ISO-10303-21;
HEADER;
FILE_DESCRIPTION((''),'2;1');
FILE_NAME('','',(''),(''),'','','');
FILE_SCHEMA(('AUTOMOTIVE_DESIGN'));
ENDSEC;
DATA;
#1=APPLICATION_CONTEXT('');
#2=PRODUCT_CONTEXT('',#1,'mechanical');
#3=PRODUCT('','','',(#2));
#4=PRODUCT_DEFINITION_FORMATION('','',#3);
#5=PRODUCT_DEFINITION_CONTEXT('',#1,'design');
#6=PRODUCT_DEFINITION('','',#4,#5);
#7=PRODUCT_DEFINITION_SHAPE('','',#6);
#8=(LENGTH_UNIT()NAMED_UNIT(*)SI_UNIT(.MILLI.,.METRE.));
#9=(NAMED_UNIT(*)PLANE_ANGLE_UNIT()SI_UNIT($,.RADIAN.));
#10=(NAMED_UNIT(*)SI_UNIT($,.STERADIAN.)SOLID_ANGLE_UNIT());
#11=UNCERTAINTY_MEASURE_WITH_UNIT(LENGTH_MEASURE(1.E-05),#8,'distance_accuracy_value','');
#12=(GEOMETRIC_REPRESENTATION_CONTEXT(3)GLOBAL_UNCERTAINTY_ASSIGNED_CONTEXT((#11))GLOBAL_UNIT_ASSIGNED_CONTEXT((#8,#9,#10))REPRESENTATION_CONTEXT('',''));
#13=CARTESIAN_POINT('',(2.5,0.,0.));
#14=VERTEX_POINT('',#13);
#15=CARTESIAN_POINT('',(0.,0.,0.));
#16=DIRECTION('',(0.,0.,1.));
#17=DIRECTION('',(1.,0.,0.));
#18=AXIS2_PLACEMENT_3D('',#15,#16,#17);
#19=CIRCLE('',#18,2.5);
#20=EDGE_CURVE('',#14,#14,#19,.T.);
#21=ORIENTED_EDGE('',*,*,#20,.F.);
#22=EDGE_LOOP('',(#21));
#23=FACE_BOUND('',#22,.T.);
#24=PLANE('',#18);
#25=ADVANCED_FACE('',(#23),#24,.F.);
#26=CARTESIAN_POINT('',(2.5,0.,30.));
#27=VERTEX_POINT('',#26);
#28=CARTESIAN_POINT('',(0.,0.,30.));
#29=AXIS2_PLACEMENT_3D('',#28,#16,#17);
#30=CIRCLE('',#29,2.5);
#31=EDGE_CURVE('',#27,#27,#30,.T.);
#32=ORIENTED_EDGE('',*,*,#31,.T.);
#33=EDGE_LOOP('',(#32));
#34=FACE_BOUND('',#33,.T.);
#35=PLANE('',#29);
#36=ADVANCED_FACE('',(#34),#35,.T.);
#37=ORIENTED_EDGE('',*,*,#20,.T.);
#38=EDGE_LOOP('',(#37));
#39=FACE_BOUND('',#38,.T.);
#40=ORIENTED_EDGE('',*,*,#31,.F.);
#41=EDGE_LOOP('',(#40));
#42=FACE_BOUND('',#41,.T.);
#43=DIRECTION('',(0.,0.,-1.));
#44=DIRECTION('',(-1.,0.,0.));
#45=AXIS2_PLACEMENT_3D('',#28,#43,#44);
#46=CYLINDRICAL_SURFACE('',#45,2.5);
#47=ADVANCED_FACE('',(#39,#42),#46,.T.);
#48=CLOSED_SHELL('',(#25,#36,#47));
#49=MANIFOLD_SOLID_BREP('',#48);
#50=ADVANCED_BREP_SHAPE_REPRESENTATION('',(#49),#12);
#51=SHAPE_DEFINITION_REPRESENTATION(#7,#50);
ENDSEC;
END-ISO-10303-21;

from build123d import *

# Parameters (mm, degrees)
SKETCH1_R           = 2.5
BOSS_EXTRUDE1_DEPTH = 30


with BuildPart() as part:
    # Sketch1 → Boss-Extrude1 (new body)
    with BuildSketch(Plane.XY):
        Circle(SKETCH1_R)
    extrude(amount=BOSS_EXTRUDE1_DEPTH)


solid = part.part
